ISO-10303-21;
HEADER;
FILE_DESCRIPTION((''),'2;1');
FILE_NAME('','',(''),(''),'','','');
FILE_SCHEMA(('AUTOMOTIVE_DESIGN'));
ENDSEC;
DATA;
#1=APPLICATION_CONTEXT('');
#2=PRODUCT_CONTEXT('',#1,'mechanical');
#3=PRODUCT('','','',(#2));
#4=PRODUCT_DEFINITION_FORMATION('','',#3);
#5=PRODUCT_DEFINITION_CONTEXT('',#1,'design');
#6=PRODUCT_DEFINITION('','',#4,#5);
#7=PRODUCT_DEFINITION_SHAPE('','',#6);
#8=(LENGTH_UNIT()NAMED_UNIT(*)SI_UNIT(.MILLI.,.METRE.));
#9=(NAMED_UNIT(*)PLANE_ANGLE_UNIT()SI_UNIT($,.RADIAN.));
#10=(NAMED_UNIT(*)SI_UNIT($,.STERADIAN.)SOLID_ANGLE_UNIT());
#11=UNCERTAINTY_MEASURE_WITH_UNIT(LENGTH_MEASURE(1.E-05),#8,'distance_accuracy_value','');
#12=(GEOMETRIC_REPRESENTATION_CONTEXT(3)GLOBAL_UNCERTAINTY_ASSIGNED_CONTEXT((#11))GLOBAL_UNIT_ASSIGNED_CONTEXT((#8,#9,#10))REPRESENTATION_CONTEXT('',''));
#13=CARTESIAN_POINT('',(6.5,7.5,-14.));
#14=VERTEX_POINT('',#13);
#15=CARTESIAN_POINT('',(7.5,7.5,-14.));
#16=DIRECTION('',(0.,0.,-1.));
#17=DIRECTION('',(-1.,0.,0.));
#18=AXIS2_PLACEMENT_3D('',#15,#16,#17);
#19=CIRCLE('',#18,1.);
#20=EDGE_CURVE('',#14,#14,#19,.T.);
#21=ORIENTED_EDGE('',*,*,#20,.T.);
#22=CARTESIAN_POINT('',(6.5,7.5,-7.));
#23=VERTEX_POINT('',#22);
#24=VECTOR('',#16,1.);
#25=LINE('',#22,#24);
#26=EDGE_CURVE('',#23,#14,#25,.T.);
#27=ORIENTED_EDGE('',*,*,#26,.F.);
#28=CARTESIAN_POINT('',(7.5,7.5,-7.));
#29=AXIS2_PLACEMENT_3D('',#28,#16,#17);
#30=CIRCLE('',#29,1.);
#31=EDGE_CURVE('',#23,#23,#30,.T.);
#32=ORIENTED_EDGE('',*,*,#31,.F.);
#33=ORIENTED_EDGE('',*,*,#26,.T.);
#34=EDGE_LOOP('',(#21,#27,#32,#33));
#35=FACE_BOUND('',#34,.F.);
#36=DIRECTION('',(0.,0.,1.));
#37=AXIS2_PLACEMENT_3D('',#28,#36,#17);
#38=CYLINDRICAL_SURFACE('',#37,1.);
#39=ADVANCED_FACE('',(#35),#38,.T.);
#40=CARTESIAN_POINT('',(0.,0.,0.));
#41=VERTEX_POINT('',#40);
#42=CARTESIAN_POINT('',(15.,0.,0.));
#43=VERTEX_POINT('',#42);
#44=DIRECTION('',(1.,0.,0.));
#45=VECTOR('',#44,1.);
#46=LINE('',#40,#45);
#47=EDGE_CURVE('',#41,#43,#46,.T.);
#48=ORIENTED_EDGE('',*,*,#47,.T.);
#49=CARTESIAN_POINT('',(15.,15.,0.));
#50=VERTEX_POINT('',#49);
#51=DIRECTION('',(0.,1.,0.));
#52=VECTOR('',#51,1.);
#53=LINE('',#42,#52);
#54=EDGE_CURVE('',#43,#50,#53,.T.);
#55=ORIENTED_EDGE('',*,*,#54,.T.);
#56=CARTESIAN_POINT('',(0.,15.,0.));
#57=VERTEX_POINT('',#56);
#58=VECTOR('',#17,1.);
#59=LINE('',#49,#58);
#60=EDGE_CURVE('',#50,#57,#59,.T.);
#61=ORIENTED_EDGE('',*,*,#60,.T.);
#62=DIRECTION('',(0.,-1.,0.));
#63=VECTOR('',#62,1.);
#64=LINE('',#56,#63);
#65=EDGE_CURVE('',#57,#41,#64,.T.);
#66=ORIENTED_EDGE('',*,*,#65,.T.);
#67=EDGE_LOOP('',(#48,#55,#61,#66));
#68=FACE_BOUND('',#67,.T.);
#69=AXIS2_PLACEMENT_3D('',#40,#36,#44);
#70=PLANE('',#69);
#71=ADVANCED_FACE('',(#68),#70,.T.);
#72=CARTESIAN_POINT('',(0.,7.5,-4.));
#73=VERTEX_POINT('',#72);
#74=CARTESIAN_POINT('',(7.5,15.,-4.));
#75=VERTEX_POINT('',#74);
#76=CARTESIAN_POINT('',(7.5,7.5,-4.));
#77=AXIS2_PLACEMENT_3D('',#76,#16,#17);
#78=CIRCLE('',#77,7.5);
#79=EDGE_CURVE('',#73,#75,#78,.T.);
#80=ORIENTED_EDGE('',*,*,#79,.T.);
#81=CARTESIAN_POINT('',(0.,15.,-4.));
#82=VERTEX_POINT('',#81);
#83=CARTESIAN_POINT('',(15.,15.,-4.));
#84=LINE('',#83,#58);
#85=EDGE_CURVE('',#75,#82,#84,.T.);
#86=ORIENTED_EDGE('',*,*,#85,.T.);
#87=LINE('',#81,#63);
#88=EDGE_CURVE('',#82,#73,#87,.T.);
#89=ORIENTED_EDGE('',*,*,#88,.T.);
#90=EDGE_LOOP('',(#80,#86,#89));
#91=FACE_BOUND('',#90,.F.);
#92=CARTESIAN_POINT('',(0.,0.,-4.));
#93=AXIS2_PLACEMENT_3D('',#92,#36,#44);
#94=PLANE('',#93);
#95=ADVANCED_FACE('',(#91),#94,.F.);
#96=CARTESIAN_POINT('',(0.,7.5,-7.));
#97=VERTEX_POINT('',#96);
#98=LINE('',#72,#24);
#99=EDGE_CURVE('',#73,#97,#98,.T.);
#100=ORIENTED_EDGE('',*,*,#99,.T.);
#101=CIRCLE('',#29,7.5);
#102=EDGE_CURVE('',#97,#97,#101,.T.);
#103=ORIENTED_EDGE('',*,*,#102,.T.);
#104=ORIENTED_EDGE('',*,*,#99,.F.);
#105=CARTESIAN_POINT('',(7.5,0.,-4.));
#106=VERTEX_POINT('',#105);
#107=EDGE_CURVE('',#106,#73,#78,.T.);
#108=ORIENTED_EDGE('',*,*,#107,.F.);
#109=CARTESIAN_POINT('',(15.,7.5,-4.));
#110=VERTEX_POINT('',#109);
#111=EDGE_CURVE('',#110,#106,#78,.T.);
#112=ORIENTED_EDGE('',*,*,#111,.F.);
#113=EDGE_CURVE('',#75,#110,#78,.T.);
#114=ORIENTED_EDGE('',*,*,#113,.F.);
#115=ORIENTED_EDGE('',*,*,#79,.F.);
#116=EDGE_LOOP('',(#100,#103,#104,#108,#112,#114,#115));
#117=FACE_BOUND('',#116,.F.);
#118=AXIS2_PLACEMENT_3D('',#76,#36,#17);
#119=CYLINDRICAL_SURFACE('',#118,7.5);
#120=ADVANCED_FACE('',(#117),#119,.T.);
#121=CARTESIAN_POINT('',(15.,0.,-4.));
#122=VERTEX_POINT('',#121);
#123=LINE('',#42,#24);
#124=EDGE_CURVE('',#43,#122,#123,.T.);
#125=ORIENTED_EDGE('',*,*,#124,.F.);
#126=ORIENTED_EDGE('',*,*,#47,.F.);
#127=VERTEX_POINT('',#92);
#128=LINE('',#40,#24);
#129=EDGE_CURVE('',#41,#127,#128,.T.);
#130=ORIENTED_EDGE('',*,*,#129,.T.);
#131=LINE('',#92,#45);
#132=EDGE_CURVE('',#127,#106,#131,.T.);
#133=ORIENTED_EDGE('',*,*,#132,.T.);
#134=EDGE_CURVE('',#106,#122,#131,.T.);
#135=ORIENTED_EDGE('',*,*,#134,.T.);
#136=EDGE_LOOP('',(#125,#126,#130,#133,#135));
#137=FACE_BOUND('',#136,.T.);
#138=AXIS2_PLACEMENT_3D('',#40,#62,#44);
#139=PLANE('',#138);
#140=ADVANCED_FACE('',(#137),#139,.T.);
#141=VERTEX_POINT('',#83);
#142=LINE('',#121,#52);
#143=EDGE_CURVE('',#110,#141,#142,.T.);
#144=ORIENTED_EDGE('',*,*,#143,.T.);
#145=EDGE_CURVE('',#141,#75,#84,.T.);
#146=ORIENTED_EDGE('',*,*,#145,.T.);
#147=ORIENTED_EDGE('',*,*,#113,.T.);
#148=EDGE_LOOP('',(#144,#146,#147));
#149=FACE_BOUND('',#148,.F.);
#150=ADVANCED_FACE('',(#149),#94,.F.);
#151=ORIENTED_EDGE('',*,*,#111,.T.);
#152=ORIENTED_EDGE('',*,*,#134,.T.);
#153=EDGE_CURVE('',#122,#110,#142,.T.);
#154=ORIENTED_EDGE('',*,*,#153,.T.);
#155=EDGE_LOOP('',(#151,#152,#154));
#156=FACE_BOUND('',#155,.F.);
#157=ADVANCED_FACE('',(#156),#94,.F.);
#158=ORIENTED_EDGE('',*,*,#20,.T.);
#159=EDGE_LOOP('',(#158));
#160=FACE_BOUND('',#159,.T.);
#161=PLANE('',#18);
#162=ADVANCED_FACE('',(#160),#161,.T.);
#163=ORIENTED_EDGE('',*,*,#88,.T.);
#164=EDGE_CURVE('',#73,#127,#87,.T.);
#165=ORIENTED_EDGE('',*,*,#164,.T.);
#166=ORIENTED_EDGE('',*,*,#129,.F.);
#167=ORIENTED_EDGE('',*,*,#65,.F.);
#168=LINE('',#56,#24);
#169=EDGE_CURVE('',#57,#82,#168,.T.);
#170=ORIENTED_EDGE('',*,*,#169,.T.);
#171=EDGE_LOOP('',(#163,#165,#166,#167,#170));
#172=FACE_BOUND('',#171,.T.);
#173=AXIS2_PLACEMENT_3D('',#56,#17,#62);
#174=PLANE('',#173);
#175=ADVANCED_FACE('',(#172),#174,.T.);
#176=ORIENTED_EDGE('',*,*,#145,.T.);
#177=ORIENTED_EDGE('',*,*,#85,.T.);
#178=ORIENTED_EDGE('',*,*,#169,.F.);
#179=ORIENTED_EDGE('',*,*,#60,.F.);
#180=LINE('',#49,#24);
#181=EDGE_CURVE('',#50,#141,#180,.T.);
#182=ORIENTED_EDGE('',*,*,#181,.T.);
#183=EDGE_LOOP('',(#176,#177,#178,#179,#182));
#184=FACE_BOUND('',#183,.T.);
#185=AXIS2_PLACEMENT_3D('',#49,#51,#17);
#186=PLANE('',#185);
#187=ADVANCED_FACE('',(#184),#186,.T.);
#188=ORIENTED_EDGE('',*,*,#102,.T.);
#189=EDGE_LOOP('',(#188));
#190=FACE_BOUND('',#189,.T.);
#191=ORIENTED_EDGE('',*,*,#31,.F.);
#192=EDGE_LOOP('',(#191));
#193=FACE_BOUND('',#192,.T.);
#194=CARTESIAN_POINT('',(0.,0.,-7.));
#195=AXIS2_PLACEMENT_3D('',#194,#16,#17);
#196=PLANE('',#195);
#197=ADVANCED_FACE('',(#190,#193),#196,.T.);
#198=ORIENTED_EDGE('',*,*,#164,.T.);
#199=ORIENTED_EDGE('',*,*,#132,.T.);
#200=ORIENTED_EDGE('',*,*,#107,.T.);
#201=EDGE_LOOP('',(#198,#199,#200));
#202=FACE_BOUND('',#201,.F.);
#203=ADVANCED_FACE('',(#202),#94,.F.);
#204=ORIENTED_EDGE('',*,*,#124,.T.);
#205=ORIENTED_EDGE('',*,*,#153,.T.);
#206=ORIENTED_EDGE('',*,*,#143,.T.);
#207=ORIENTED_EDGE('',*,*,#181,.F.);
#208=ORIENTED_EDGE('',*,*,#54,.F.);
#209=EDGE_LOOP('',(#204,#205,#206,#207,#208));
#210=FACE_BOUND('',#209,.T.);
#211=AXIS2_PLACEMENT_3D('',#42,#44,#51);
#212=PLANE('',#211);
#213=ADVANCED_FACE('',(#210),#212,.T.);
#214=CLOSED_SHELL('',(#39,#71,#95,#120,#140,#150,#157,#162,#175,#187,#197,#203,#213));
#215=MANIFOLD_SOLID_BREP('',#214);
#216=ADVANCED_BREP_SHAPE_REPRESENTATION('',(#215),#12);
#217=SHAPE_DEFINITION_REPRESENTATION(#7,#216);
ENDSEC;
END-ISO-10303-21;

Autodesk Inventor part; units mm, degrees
ref_plane "YZ Plane" through (0, 0, 0) normal (1, 0, 0) x (0, 1, 0)
ref_plane "XZ Plane" through (0, 0, 0) normal (0, 1, 0) x (-1, 0, 0)
ref_plane "XY Plane" through (0, 0, 0) normal (0, 0, 1) x (1, 0, 0)
sketch "Sketch1" plane through (0, 0, 0) normal (0, 0, 1) x (1, 0, 0)
  line L0 (0, 0) -> (15, 0)
  line L1 (15, 0) -> (15, 15)
  line L2 (15, 15) -> (0, 15)
  line L3 (0, 15) -> (0, 0)
  dimension "d0" = 15
  dimension "d1" = 15
extrude "Extrusion1" add sketch "Sketch1" against normal blind 4
sketch "Sketch2" plane through (0, 0, -4) normal (0, 0, -1) x (-1, 0, 0)
  circle A0 centre (-7.5, 7.5) radius 7.5
  point P0 (0, 0)
  dimension "d4" = 15
extrude "Extrusion2" add sketch "Sketch2" along normal blind 3
sketch "Sketch3" plane through (7.5, 7.5, -7) normal (0, 0, -1) x (-1, 0, 0)
  circle A0 centre (0, 0) radius 1
  point P0 (7.5, -7.5)
  dimension "d7" = 2
extrude "Extrusion3" add sketch "Sketch3" along normal blind 7
sketch "Sketch4" plane through (0, 0, 0) normal (0, 0, 1) x (1, 0, 0)
  line L0 (0.2915, 14.885) -> (14.8969, 14.885) construction
  line L1 (14.8969, 14.885) -> (14.8969, 0.1242) construction
  line L2 (14.8969, 0.1242) -> (0.2915, 0.1242) construction
  line L3 (0.2915, 0.1242) -> (0.2915, 14.885) construction
  point P0 (0, 0)
sketch "Sketch5" plane through (0, 0, 0) normal (0, -1, 0) x (1, 0, 0)
  line L0 (0.1529, -0.1223) -> (14.8622, -0.1223) construction
  line L1 (14.8622, -0.1223) -> (14.8622, -3.792) construction
  line L2 (14.8622, -3.792) -> (0.1529, -3.792) construction
  line L3 (0.1529, -3.792) -> (0.1529, -0.1223) construction
  point P0 (0, 0)
properties part number "Input Motor" material "ABS Plastic"
